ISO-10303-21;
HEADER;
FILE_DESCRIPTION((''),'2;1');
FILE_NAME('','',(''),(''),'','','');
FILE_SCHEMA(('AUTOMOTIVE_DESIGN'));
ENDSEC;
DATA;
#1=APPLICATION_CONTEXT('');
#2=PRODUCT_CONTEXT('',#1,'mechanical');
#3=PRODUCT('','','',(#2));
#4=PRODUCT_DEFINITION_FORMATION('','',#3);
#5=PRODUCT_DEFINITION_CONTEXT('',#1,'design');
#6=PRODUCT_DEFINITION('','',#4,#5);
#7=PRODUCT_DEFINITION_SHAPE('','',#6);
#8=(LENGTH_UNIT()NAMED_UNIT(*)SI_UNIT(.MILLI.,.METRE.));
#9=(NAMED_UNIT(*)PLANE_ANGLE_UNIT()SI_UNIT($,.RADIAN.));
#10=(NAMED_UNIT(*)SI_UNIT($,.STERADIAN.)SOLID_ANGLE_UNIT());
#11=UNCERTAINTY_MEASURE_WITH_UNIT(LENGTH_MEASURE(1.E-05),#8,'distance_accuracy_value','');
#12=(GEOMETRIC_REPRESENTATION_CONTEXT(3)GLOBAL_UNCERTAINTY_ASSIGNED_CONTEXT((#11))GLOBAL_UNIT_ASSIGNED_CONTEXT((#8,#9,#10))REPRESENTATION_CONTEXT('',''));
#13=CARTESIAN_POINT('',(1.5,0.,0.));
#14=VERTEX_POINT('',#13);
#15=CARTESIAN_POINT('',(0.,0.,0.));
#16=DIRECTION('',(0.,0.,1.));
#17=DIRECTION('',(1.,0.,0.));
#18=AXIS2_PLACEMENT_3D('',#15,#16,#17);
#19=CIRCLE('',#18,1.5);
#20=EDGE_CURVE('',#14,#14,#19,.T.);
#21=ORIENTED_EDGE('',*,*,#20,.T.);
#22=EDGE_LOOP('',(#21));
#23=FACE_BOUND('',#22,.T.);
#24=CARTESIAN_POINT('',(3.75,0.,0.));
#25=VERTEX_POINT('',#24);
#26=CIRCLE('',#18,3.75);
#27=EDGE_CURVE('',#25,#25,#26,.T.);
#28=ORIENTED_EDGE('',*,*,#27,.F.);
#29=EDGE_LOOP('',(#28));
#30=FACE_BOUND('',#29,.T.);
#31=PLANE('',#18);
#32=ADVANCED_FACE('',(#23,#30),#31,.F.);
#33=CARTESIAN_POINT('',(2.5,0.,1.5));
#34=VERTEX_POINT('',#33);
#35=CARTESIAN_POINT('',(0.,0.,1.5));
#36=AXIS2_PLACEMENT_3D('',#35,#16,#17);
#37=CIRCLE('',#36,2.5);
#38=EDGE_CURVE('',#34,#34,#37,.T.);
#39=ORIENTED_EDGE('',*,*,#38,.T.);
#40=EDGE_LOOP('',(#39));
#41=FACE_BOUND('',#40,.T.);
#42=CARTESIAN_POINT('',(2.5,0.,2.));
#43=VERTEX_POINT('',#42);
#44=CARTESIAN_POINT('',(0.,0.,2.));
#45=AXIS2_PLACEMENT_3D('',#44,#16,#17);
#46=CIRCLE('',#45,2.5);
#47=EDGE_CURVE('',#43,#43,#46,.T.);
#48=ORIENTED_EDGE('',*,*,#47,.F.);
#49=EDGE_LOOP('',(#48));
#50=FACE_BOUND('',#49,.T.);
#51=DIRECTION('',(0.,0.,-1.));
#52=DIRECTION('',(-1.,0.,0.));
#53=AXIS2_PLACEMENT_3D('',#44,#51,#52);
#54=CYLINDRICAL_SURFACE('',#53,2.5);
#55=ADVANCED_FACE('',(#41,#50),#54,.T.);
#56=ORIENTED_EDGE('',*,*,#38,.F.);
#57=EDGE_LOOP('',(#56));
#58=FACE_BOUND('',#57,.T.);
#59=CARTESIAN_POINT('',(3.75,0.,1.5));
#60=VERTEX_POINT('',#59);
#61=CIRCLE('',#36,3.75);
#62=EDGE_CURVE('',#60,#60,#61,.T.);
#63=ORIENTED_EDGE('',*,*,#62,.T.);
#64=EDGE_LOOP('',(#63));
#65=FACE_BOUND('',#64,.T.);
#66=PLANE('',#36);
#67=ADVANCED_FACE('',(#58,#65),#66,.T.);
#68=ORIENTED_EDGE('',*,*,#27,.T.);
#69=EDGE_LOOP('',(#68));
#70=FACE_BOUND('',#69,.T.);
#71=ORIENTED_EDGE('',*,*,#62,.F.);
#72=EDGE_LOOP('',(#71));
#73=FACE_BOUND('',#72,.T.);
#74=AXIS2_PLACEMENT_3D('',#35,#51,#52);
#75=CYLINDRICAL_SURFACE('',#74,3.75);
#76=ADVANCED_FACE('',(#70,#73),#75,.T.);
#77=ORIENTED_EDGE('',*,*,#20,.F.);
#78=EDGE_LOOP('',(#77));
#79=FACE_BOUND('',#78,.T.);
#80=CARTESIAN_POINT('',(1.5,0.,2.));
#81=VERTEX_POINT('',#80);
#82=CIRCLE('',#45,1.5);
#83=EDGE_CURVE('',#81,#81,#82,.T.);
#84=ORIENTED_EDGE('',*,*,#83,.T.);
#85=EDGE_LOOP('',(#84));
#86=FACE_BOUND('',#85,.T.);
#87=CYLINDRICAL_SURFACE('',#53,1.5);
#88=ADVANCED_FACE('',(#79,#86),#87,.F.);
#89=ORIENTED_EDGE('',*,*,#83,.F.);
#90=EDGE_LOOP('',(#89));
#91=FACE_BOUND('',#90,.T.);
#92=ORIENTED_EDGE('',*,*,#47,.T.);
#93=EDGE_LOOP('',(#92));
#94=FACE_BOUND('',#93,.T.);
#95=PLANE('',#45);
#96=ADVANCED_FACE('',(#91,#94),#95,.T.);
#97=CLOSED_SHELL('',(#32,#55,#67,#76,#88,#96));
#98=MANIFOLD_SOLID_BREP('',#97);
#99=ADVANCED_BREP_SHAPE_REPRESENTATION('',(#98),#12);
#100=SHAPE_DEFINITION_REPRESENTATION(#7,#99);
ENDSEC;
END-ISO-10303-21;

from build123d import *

# Parameters (mm, degrees)
SKETCH1_R           = 3.75
SKETCH1_R_2         = 2.5
BOSS_EXTRUDE1_DEPTH = 1.5
SKETCH1_3_R         = 2.5
SKETCH1_3_R_2       = 1.5
BOSS_EXTRUDE2_DEPTH = 2


with BuildPart() as part:
    # Sketch1 → Boss-Extrude1 (new body)
    with BuildSketch(Plane.XY):
        Circle(SKETCH1_R)
        Circle(SKETCH1_R_2, mode=Mode.SUBTRACT)
    extrude(amount=BOSS_EXTRUDE1_DEPTH)

    # Sketch1<3> → Boss-Extrude2 (add)
    with BuildSketch(Plane.XY):
        Circle(SKETCH1_3_R)
        Circle(SKETCH1_3_R_2, mode=Mode.SUBTRACT)
    extrude(amount=BOSS_EXTRUDE2_DEPTH)


solid = part.part
